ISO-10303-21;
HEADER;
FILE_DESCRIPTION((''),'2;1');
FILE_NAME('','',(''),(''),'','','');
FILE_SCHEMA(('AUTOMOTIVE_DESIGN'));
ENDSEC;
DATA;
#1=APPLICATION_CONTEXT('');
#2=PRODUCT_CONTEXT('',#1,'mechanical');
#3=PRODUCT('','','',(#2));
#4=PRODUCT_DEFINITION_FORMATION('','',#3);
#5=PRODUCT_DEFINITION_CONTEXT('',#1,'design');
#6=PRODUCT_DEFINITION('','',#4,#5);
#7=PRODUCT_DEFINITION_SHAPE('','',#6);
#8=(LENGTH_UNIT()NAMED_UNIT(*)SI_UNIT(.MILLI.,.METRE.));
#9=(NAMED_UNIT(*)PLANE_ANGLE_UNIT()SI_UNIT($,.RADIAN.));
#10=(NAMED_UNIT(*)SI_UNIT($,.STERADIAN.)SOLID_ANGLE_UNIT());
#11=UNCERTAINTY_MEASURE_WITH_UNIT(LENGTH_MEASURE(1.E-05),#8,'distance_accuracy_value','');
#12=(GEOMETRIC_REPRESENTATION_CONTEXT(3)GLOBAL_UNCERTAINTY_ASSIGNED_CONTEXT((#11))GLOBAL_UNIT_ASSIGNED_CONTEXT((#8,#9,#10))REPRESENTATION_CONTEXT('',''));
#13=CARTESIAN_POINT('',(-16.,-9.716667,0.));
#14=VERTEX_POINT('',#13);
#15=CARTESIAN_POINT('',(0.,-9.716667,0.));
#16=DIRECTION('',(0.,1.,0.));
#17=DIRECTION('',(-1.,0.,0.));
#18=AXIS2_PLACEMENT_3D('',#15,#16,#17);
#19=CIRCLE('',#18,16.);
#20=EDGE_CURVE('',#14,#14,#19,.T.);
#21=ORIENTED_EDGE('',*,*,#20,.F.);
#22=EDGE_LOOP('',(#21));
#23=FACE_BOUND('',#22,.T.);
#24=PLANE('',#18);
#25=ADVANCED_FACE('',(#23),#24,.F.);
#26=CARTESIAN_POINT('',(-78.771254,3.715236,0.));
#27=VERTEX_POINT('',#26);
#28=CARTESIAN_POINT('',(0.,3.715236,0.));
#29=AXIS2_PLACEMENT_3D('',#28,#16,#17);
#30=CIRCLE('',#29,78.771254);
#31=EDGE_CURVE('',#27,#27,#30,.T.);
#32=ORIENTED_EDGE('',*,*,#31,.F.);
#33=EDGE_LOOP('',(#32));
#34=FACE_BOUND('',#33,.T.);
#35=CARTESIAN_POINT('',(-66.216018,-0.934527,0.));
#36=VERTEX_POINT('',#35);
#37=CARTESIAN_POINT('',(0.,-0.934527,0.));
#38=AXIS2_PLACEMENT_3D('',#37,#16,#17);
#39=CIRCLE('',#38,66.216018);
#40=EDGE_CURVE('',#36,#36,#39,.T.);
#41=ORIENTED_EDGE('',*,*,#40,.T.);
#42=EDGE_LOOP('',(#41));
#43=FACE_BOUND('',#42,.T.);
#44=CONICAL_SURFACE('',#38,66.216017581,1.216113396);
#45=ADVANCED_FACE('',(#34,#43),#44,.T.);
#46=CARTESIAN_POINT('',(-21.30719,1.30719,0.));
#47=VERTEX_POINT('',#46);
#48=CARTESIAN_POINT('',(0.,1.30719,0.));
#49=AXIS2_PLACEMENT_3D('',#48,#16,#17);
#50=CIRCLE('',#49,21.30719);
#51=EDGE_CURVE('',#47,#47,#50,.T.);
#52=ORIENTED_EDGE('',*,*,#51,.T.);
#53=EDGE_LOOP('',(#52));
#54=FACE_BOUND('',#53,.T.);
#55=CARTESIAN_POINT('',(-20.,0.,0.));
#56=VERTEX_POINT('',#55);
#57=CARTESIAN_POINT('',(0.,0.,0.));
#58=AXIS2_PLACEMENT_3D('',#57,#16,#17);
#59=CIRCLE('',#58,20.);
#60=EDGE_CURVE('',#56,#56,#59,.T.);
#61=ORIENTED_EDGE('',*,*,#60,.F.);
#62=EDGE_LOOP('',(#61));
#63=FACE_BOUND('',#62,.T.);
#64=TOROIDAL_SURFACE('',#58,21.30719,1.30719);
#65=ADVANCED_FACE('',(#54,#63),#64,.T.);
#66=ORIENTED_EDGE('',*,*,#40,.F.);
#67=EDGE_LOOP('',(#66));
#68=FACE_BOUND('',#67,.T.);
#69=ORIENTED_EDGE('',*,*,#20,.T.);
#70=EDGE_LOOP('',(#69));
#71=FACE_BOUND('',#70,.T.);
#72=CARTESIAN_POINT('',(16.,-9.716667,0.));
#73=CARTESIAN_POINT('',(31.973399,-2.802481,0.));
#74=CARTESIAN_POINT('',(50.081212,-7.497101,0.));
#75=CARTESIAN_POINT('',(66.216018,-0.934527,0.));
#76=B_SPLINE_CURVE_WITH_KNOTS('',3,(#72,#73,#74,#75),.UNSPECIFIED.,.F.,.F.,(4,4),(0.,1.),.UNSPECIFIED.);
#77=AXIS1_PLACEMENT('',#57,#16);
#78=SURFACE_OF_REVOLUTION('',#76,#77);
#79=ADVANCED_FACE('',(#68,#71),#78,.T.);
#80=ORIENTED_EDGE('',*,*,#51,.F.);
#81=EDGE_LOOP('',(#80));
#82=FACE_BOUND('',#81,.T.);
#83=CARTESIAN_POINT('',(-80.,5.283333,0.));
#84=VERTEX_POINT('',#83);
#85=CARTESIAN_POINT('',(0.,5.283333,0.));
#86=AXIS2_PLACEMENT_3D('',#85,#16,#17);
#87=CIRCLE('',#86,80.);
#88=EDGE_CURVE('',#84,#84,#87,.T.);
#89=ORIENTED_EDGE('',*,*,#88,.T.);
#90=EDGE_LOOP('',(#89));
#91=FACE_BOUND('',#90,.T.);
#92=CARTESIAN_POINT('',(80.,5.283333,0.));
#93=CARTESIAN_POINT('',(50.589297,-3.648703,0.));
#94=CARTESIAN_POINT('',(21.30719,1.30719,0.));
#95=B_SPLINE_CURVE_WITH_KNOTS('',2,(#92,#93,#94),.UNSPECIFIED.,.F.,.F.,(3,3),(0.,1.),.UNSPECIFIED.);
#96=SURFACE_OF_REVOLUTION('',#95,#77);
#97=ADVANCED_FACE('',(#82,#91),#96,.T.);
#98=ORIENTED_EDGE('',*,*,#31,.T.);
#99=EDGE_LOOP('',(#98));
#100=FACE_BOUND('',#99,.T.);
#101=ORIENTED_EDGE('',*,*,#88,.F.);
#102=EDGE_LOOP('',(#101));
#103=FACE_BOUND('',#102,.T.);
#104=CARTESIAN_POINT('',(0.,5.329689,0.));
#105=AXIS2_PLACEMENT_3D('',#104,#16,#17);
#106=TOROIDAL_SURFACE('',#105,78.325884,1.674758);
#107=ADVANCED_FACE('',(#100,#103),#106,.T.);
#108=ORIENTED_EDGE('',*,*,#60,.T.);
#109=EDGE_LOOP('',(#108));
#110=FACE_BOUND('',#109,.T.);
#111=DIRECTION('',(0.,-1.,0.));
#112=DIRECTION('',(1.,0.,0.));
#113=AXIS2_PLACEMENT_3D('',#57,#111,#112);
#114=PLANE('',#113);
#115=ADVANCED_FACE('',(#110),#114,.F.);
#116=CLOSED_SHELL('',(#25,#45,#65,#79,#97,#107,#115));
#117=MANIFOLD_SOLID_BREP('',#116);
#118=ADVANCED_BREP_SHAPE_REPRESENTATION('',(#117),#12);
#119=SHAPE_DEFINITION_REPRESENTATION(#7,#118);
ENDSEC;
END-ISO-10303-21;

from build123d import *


with BuildPart() as part:
    # Sketch2 → Revolve2 (revolve)
    with BuildSketch(Plane.XY, mode=Mode.PRIVATE) as revolve2_sk:
        with BuildLine():
            Line((0, 0), (20, 0))
            ThreePointArc((20, 0), (20.382866953, 0.92432259), (21.307189542, 1.307189542))
            add(Edge.make_bspline(
                [(21.307189542, 1.307189542), (50.589297326, -3.648702918), (80, 5.283333405)],
                knots=[0, 0, 0, 1, 1, 1], degree=2))
            ThreePointArc((80, 5.283333405), (79.644135668, 4.296719594), (78.771253816, 3.715235711))
            Line((78.771253816, 3.715235711), (66.216017581, -0.934527379))
            add(Edge.make_bspline(
                [(16, -9.716666595), (31.973399001, -2.802481332), (50.081212283, -7.497100863), (66.216017581, -0.934527379)],
                knots=[0, 0, 0, 0, 1, 1, 1, 1], degree=3))
            Line((16, -9.716666595), (0, -9.716666595))
            Line((0, -9.716666595), (0, 0))
        make_face()
    revolve(revolve2_sk.sketch.rotate(Axis((0, 0, 0), (0, -1, 0)), 180), axis=Axis((0, 0, 0), (0, -1, 0)))


solid = part.part
